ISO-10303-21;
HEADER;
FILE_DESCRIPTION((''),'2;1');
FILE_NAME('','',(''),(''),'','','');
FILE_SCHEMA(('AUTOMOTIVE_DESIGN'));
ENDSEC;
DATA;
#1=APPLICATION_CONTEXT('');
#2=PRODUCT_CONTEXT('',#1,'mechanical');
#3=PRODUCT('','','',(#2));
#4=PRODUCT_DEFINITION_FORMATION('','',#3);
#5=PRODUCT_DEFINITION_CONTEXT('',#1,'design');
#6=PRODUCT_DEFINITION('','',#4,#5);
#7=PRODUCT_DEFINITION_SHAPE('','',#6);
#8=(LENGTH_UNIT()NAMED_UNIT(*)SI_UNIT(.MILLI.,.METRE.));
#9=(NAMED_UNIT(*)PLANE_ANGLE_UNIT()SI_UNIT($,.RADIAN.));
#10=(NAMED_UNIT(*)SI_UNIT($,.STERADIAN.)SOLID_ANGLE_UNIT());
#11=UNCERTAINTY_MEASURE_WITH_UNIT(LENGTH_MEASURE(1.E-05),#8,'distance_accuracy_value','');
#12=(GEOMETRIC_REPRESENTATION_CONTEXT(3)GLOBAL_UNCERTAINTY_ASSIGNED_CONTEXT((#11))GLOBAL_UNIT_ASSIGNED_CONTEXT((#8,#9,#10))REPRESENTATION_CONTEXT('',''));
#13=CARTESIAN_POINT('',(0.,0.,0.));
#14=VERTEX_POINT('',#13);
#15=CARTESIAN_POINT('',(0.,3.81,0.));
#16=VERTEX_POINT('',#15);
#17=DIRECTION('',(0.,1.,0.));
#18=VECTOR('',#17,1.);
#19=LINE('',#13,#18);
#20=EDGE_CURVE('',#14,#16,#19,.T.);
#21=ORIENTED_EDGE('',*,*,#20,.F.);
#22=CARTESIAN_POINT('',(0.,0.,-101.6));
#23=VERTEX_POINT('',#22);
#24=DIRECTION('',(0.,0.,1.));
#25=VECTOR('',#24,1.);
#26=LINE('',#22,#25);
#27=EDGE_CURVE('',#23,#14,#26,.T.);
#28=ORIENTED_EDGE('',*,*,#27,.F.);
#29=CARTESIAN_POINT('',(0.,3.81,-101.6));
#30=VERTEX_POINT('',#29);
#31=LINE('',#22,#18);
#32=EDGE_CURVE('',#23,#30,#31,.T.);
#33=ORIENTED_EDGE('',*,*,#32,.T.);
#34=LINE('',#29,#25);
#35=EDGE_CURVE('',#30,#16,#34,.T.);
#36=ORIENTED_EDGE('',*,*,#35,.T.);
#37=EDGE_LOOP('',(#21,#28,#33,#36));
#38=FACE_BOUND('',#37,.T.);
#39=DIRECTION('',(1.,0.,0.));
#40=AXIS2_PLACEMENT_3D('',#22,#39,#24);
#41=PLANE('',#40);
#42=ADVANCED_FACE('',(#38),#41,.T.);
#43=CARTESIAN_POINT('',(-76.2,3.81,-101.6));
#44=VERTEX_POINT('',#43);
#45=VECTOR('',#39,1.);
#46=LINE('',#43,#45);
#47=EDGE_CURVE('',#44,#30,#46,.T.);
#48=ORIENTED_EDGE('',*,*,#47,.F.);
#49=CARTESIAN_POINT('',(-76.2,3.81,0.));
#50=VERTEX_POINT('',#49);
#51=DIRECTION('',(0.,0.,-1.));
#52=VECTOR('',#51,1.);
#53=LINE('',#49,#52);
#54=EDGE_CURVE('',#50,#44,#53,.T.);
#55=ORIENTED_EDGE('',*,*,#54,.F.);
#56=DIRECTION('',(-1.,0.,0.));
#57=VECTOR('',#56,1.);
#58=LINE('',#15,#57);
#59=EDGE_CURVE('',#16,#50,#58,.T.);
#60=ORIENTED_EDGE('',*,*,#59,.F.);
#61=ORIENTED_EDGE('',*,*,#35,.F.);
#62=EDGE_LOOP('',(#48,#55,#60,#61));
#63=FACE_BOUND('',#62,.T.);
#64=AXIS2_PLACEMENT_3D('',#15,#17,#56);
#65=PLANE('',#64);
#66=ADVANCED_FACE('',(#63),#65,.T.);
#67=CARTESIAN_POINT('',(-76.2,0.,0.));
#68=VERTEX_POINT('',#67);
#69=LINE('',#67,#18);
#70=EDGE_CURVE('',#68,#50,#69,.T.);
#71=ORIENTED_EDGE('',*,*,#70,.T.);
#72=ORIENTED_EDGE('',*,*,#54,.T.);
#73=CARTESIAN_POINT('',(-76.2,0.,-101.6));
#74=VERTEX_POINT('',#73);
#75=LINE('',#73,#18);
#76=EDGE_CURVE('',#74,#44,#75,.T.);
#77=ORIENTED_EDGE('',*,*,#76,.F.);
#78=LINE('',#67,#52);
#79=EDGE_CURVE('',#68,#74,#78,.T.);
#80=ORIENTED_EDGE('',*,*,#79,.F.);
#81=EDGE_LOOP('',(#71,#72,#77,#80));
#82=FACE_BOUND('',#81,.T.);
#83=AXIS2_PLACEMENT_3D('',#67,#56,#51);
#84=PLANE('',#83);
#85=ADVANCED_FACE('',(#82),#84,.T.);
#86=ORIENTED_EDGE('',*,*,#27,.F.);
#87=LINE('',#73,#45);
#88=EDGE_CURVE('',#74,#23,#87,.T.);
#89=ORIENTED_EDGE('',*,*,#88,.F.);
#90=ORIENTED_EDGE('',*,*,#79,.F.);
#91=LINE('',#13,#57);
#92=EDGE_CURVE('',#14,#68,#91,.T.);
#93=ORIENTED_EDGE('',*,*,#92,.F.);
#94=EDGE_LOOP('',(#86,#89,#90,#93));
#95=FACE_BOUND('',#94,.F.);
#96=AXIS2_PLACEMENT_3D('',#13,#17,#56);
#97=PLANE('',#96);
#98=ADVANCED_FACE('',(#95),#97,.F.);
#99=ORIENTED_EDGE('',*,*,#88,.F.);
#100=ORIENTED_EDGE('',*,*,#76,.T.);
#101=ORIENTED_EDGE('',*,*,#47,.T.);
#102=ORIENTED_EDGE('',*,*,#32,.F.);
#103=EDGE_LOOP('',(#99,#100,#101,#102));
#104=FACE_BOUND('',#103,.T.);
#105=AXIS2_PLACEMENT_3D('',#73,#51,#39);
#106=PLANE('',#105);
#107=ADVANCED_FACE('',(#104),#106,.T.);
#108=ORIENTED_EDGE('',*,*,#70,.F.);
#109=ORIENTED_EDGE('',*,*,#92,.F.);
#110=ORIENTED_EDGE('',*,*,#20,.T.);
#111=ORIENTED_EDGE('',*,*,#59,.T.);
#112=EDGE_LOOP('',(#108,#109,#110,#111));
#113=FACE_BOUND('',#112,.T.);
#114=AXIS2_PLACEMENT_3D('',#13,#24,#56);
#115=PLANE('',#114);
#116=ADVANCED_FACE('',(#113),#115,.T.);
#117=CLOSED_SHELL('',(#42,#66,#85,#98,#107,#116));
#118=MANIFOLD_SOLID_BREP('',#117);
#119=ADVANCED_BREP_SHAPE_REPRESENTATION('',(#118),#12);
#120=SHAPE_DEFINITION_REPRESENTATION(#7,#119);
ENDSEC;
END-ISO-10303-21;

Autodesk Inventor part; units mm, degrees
ref_plane "YZ Plane" through (0, 0, 0) normal (1, 0, 0) x (0, 1, 0)
ref_plane "XZ Plane" through (0, 0, 0) normal (0, 1, 0) x (-1, 0, 0)
ref_plane "XY Plane" through (0, 0, 0) normal (0, 0, 1) x (1, 0, 0)
sketch "Sketch1" plane through (0, 0, 0) normal (0, 1, 0) x (-1, 0, 0)
  line L0 (0, 0) -> (76.2, 0)
  line L1 (76.2, 0) -> (76.2, -101.6)
  line L2 (76.2, -101.6) -> (0, -101.6)
  line L3 (0, -101.6) -> (0, 0)
  dimension "d0" = 76.2
  dimension "d1" = 101.6
extrude "Extrusion1" add sketch "Sketch1" along normal blind 3.81
properties part number "BlockSlideTest"
